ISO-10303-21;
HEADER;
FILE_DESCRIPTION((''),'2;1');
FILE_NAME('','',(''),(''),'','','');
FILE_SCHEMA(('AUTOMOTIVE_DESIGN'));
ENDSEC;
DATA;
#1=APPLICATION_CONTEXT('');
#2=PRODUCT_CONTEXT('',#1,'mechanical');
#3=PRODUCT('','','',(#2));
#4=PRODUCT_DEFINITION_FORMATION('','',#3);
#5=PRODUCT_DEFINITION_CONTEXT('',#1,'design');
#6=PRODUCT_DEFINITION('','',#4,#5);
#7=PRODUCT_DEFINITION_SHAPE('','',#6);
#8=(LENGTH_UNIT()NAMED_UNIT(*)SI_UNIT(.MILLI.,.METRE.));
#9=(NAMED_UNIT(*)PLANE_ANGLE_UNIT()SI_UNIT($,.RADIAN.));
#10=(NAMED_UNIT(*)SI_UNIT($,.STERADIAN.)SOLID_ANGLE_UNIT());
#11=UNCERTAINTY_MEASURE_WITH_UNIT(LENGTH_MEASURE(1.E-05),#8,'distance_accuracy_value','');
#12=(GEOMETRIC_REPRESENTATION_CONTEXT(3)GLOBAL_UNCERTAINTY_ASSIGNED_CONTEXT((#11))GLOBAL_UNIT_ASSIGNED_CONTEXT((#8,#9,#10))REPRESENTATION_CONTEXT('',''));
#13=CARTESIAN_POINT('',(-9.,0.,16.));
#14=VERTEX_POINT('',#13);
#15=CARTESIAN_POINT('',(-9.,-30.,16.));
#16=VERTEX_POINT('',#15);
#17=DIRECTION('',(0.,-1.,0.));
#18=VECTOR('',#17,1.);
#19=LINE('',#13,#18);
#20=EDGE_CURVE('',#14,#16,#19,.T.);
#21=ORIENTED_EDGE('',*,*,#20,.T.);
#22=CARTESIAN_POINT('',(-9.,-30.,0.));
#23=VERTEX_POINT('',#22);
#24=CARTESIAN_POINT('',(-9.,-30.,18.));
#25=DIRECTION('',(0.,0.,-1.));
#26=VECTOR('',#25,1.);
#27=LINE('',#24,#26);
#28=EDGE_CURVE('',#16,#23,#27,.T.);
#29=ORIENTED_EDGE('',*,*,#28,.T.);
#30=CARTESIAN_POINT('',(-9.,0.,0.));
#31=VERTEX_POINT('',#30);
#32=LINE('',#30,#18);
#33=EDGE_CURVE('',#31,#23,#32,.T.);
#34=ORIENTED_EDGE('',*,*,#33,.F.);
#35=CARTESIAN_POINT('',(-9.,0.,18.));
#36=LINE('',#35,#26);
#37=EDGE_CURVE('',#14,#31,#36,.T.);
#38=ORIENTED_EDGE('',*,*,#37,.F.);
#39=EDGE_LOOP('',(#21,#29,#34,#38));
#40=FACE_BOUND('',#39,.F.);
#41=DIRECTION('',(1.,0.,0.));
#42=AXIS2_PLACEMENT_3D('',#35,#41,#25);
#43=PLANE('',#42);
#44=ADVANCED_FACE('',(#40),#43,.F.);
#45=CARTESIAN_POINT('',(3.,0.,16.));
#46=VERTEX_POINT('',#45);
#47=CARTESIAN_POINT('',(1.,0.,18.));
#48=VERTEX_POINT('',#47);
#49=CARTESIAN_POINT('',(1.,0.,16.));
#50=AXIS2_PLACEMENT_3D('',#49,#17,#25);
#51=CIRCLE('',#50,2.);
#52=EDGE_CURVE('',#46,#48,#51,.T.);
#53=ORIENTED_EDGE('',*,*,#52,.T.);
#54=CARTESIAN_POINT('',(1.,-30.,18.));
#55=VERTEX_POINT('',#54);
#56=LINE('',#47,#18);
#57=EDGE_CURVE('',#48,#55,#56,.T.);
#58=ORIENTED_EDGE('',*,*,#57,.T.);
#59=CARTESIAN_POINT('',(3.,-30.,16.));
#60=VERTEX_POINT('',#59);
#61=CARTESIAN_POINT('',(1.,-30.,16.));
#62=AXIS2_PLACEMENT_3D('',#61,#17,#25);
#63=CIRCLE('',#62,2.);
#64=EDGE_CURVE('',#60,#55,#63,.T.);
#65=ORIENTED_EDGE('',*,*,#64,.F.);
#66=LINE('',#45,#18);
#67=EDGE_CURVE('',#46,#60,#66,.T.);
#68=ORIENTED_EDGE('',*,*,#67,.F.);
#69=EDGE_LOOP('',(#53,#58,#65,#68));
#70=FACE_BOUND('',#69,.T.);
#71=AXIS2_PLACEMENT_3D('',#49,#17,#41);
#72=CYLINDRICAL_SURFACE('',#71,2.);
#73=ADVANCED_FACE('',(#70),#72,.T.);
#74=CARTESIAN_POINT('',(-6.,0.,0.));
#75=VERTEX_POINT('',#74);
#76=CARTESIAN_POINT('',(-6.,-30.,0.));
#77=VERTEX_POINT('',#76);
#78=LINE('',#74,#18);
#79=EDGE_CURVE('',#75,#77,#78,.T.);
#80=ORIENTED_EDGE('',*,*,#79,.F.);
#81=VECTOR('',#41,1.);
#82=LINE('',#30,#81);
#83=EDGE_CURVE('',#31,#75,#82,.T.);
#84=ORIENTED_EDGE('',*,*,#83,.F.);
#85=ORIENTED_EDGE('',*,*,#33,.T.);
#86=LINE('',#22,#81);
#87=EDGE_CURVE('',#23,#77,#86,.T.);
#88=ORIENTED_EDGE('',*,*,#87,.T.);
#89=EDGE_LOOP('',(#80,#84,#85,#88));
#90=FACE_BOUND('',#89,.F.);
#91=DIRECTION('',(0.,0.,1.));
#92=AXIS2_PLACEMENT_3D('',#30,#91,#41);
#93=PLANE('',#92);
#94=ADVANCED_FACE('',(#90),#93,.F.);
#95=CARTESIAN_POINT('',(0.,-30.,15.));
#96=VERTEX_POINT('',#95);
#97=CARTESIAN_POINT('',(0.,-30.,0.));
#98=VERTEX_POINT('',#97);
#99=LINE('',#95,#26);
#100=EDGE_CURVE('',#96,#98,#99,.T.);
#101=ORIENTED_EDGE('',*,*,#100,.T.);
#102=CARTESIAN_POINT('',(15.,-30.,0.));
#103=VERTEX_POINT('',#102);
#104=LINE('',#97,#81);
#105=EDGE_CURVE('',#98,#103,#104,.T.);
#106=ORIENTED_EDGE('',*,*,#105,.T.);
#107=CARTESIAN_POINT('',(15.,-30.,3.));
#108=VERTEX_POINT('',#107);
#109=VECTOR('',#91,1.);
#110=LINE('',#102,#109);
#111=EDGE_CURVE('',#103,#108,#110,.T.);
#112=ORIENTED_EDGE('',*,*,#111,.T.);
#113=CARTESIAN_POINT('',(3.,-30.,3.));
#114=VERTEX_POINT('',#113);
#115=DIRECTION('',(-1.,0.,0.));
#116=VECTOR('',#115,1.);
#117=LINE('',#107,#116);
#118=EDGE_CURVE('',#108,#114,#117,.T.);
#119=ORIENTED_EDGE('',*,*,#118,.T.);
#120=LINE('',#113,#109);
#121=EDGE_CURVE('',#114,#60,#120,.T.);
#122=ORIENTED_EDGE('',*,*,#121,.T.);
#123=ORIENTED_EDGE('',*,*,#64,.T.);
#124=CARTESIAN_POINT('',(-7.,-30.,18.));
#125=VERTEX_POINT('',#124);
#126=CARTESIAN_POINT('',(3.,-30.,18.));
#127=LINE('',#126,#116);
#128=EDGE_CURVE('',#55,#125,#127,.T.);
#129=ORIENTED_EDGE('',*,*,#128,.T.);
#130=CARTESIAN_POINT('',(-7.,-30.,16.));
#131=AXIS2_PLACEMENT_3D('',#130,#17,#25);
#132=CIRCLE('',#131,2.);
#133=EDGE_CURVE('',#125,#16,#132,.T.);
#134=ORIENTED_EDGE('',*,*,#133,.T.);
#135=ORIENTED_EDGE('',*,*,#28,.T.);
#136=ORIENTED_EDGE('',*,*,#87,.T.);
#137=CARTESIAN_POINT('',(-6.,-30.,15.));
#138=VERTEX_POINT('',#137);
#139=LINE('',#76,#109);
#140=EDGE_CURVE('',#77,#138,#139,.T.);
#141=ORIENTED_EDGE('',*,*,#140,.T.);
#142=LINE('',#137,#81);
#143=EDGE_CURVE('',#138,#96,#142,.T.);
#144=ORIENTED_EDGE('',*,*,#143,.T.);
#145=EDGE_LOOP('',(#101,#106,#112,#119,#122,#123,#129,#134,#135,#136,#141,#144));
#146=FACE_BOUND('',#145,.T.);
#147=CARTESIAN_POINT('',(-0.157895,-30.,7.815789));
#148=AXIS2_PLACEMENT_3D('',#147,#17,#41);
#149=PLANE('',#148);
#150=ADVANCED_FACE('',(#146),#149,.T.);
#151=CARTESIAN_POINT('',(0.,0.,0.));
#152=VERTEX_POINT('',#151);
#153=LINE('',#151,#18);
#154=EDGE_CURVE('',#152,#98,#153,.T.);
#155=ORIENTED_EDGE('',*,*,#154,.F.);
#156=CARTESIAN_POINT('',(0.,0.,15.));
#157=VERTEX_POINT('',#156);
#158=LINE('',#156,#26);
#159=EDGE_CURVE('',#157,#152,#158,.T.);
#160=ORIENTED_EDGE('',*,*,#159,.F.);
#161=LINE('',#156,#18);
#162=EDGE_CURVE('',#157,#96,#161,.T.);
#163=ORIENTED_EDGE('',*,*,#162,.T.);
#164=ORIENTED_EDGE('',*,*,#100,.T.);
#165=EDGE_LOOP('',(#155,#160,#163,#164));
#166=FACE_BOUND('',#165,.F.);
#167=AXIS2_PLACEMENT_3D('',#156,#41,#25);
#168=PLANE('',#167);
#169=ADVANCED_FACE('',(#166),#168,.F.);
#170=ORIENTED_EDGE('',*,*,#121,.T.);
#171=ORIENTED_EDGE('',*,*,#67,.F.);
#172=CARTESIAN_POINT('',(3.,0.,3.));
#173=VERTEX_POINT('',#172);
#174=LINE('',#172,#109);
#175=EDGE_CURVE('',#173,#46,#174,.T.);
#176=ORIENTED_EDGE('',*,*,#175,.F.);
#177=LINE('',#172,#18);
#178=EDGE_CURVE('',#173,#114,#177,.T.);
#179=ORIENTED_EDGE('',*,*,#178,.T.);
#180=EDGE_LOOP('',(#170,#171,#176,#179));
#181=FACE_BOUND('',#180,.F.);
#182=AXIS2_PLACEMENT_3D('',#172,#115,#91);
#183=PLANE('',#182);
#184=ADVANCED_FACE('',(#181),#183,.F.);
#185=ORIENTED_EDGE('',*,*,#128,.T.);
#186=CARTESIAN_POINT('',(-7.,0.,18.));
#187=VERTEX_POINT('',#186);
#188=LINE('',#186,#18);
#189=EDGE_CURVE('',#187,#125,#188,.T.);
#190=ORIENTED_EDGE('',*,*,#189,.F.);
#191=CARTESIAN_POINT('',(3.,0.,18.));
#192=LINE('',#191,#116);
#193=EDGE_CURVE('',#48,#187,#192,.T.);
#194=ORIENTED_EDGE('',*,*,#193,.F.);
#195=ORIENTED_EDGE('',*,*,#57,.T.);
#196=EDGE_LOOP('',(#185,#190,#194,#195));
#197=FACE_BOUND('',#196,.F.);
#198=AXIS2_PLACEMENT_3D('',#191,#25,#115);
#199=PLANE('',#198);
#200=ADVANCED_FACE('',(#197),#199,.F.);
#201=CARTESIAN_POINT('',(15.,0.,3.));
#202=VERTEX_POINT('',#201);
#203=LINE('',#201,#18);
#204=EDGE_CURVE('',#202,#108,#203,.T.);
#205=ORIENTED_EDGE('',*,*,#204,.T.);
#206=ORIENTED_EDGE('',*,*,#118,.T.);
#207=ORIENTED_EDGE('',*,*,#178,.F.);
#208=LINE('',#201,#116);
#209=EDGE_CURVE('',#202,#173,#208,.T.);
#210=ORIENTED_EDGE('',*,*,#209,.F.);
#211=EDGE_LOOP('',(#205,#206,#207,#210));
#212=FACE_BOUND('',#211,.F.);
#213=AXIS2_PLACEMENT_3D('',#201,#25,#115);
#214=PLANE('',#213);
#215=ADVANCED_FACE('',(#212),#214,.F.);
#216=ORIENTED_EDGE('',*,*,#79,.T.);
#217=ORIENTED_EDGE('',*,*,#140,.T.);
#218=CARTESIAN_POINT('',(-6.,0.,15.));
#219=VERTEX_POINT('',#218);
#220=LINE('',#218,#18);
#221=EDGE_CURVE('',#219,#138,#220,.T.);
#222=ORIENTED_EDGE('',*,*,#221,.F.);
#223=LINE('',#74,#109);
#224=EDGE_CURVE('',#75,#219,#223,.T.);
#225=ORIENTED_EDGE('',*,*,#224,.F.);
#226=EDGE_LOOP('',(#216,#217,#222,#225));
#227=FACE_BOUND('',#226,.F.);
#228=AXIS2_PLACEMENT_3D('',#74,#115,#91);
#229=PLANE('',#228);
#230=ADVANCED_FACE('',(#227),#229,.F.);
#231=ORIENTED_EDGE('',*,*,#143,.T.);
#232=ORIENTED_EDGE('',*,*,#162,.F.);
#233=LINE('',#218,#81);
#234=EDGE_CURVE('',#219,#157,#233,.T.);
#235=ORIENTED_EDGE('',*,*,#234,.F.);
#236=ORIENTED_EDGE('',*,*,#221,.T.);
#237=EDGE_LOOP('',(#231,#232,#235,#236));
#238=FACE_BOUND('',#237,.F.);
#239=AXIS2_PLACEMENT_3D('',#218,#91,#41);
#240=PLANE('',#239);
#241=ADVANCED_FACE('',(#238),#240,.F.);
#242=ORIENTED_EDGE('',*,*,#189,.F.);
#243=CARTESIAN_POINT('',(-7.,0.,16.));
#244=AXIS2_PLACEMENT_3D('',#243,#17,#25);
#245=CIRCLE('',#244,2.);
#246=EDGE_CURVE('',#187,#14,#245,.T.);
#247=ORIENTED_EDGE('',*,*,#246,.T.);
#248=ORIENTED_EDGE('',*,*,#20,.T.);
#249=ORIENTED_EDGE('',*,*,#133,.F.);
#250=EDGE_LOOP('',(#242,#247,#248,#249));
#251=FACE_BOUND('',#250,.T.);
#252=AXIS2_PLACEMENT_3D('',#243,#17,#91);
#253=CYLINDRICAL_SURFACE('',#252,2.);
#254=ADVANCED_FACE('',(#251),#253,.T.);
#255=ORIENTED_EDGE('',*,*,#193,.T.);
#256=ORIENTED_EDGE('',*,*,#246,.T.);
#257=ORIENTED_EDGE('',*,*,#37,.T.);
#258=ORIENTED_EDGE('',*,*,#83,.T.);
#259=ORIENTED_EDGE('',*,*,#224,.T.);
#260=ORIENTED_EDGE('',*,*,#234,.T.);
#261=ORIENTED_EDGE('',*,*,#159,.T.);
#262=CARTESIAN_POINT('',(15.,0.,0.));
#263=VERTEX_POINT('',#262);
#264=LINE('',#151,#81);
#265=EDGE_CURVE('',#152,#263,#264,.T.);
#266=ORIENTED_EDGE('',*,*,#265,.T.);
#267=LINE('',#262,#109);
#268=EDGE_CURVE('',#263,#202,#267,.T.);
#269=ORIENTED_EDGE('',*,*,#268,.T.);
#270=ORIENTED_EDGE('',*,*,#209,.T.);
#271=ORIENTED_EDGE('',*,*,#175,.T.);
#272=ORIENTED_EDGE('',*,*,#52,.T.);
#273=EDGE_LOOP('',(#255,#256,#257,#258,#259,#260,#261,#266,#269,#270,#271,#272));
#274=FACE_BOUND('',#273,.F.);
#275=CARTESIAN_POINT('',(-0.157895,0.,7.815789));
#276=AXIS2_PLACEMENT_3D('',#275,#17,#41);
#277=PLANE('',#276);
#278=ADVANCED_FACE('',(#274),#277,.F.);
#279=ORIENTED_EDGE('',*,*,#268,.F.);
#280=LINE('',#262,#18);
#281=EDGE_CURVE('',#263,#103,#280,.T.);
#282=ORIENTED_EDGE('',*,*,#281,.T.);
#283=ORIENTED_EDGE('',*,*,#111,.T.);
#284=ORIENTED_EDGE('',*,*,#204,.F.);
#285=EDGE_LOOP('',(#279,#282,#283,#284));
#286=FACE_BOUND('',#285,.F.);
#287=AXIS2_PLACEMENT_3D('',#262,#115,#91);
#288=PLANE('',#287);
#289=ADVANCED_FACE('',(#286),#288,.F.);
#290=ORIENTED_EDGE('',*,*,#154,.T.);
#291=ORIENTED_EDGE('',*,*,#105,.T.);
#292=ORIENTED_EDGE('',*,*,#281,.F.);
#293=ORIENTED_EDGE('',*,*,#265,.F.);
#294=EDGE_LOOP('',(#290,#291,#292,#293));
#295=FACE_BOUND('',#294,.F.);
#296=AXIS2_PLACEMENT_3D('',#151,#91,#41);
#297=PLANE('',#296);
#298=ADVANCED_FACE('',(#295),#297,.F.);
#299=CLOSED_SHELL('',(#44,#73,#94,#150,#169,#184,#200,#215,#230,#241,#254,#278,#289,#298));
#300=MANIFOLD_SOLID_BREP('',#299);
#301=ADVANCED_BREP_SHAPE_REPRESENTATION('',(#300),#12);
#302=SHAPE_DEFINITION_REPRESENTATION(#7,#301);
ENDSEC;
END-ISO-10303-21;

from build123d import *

# Parameters (mm, degrees)
F1_DEPTH = 30
F2_R     = 2
F3_R     = 2


with BuildPart() as f1:
    # F0 (on Front) → F1 (new body)
    with BuildSketch(Plane.XZ):
        Polygon((-6, 0), (-6, 15), (0, 15), (0, 0), (15, 0), (15, 3), (3, 3), (3, 18), (-9, 18), (-9, 0), align=None)
    extrude(amount=F1_DEPTH)

    # F2
    f2_edges = [f1.edges().sort_by_distance(p)[0] for p in [
        (3, -15, 18),
    ]]
    fillet(f2_edges, radius=F2_R)

    # F3
    f3_edges = [f1.edges().sort_by_distance(p)[0] for p in [
        (-9, -15, 18),
    ]]
    fillet(f3_edges, radius=F3_R)


solid = f1.part
